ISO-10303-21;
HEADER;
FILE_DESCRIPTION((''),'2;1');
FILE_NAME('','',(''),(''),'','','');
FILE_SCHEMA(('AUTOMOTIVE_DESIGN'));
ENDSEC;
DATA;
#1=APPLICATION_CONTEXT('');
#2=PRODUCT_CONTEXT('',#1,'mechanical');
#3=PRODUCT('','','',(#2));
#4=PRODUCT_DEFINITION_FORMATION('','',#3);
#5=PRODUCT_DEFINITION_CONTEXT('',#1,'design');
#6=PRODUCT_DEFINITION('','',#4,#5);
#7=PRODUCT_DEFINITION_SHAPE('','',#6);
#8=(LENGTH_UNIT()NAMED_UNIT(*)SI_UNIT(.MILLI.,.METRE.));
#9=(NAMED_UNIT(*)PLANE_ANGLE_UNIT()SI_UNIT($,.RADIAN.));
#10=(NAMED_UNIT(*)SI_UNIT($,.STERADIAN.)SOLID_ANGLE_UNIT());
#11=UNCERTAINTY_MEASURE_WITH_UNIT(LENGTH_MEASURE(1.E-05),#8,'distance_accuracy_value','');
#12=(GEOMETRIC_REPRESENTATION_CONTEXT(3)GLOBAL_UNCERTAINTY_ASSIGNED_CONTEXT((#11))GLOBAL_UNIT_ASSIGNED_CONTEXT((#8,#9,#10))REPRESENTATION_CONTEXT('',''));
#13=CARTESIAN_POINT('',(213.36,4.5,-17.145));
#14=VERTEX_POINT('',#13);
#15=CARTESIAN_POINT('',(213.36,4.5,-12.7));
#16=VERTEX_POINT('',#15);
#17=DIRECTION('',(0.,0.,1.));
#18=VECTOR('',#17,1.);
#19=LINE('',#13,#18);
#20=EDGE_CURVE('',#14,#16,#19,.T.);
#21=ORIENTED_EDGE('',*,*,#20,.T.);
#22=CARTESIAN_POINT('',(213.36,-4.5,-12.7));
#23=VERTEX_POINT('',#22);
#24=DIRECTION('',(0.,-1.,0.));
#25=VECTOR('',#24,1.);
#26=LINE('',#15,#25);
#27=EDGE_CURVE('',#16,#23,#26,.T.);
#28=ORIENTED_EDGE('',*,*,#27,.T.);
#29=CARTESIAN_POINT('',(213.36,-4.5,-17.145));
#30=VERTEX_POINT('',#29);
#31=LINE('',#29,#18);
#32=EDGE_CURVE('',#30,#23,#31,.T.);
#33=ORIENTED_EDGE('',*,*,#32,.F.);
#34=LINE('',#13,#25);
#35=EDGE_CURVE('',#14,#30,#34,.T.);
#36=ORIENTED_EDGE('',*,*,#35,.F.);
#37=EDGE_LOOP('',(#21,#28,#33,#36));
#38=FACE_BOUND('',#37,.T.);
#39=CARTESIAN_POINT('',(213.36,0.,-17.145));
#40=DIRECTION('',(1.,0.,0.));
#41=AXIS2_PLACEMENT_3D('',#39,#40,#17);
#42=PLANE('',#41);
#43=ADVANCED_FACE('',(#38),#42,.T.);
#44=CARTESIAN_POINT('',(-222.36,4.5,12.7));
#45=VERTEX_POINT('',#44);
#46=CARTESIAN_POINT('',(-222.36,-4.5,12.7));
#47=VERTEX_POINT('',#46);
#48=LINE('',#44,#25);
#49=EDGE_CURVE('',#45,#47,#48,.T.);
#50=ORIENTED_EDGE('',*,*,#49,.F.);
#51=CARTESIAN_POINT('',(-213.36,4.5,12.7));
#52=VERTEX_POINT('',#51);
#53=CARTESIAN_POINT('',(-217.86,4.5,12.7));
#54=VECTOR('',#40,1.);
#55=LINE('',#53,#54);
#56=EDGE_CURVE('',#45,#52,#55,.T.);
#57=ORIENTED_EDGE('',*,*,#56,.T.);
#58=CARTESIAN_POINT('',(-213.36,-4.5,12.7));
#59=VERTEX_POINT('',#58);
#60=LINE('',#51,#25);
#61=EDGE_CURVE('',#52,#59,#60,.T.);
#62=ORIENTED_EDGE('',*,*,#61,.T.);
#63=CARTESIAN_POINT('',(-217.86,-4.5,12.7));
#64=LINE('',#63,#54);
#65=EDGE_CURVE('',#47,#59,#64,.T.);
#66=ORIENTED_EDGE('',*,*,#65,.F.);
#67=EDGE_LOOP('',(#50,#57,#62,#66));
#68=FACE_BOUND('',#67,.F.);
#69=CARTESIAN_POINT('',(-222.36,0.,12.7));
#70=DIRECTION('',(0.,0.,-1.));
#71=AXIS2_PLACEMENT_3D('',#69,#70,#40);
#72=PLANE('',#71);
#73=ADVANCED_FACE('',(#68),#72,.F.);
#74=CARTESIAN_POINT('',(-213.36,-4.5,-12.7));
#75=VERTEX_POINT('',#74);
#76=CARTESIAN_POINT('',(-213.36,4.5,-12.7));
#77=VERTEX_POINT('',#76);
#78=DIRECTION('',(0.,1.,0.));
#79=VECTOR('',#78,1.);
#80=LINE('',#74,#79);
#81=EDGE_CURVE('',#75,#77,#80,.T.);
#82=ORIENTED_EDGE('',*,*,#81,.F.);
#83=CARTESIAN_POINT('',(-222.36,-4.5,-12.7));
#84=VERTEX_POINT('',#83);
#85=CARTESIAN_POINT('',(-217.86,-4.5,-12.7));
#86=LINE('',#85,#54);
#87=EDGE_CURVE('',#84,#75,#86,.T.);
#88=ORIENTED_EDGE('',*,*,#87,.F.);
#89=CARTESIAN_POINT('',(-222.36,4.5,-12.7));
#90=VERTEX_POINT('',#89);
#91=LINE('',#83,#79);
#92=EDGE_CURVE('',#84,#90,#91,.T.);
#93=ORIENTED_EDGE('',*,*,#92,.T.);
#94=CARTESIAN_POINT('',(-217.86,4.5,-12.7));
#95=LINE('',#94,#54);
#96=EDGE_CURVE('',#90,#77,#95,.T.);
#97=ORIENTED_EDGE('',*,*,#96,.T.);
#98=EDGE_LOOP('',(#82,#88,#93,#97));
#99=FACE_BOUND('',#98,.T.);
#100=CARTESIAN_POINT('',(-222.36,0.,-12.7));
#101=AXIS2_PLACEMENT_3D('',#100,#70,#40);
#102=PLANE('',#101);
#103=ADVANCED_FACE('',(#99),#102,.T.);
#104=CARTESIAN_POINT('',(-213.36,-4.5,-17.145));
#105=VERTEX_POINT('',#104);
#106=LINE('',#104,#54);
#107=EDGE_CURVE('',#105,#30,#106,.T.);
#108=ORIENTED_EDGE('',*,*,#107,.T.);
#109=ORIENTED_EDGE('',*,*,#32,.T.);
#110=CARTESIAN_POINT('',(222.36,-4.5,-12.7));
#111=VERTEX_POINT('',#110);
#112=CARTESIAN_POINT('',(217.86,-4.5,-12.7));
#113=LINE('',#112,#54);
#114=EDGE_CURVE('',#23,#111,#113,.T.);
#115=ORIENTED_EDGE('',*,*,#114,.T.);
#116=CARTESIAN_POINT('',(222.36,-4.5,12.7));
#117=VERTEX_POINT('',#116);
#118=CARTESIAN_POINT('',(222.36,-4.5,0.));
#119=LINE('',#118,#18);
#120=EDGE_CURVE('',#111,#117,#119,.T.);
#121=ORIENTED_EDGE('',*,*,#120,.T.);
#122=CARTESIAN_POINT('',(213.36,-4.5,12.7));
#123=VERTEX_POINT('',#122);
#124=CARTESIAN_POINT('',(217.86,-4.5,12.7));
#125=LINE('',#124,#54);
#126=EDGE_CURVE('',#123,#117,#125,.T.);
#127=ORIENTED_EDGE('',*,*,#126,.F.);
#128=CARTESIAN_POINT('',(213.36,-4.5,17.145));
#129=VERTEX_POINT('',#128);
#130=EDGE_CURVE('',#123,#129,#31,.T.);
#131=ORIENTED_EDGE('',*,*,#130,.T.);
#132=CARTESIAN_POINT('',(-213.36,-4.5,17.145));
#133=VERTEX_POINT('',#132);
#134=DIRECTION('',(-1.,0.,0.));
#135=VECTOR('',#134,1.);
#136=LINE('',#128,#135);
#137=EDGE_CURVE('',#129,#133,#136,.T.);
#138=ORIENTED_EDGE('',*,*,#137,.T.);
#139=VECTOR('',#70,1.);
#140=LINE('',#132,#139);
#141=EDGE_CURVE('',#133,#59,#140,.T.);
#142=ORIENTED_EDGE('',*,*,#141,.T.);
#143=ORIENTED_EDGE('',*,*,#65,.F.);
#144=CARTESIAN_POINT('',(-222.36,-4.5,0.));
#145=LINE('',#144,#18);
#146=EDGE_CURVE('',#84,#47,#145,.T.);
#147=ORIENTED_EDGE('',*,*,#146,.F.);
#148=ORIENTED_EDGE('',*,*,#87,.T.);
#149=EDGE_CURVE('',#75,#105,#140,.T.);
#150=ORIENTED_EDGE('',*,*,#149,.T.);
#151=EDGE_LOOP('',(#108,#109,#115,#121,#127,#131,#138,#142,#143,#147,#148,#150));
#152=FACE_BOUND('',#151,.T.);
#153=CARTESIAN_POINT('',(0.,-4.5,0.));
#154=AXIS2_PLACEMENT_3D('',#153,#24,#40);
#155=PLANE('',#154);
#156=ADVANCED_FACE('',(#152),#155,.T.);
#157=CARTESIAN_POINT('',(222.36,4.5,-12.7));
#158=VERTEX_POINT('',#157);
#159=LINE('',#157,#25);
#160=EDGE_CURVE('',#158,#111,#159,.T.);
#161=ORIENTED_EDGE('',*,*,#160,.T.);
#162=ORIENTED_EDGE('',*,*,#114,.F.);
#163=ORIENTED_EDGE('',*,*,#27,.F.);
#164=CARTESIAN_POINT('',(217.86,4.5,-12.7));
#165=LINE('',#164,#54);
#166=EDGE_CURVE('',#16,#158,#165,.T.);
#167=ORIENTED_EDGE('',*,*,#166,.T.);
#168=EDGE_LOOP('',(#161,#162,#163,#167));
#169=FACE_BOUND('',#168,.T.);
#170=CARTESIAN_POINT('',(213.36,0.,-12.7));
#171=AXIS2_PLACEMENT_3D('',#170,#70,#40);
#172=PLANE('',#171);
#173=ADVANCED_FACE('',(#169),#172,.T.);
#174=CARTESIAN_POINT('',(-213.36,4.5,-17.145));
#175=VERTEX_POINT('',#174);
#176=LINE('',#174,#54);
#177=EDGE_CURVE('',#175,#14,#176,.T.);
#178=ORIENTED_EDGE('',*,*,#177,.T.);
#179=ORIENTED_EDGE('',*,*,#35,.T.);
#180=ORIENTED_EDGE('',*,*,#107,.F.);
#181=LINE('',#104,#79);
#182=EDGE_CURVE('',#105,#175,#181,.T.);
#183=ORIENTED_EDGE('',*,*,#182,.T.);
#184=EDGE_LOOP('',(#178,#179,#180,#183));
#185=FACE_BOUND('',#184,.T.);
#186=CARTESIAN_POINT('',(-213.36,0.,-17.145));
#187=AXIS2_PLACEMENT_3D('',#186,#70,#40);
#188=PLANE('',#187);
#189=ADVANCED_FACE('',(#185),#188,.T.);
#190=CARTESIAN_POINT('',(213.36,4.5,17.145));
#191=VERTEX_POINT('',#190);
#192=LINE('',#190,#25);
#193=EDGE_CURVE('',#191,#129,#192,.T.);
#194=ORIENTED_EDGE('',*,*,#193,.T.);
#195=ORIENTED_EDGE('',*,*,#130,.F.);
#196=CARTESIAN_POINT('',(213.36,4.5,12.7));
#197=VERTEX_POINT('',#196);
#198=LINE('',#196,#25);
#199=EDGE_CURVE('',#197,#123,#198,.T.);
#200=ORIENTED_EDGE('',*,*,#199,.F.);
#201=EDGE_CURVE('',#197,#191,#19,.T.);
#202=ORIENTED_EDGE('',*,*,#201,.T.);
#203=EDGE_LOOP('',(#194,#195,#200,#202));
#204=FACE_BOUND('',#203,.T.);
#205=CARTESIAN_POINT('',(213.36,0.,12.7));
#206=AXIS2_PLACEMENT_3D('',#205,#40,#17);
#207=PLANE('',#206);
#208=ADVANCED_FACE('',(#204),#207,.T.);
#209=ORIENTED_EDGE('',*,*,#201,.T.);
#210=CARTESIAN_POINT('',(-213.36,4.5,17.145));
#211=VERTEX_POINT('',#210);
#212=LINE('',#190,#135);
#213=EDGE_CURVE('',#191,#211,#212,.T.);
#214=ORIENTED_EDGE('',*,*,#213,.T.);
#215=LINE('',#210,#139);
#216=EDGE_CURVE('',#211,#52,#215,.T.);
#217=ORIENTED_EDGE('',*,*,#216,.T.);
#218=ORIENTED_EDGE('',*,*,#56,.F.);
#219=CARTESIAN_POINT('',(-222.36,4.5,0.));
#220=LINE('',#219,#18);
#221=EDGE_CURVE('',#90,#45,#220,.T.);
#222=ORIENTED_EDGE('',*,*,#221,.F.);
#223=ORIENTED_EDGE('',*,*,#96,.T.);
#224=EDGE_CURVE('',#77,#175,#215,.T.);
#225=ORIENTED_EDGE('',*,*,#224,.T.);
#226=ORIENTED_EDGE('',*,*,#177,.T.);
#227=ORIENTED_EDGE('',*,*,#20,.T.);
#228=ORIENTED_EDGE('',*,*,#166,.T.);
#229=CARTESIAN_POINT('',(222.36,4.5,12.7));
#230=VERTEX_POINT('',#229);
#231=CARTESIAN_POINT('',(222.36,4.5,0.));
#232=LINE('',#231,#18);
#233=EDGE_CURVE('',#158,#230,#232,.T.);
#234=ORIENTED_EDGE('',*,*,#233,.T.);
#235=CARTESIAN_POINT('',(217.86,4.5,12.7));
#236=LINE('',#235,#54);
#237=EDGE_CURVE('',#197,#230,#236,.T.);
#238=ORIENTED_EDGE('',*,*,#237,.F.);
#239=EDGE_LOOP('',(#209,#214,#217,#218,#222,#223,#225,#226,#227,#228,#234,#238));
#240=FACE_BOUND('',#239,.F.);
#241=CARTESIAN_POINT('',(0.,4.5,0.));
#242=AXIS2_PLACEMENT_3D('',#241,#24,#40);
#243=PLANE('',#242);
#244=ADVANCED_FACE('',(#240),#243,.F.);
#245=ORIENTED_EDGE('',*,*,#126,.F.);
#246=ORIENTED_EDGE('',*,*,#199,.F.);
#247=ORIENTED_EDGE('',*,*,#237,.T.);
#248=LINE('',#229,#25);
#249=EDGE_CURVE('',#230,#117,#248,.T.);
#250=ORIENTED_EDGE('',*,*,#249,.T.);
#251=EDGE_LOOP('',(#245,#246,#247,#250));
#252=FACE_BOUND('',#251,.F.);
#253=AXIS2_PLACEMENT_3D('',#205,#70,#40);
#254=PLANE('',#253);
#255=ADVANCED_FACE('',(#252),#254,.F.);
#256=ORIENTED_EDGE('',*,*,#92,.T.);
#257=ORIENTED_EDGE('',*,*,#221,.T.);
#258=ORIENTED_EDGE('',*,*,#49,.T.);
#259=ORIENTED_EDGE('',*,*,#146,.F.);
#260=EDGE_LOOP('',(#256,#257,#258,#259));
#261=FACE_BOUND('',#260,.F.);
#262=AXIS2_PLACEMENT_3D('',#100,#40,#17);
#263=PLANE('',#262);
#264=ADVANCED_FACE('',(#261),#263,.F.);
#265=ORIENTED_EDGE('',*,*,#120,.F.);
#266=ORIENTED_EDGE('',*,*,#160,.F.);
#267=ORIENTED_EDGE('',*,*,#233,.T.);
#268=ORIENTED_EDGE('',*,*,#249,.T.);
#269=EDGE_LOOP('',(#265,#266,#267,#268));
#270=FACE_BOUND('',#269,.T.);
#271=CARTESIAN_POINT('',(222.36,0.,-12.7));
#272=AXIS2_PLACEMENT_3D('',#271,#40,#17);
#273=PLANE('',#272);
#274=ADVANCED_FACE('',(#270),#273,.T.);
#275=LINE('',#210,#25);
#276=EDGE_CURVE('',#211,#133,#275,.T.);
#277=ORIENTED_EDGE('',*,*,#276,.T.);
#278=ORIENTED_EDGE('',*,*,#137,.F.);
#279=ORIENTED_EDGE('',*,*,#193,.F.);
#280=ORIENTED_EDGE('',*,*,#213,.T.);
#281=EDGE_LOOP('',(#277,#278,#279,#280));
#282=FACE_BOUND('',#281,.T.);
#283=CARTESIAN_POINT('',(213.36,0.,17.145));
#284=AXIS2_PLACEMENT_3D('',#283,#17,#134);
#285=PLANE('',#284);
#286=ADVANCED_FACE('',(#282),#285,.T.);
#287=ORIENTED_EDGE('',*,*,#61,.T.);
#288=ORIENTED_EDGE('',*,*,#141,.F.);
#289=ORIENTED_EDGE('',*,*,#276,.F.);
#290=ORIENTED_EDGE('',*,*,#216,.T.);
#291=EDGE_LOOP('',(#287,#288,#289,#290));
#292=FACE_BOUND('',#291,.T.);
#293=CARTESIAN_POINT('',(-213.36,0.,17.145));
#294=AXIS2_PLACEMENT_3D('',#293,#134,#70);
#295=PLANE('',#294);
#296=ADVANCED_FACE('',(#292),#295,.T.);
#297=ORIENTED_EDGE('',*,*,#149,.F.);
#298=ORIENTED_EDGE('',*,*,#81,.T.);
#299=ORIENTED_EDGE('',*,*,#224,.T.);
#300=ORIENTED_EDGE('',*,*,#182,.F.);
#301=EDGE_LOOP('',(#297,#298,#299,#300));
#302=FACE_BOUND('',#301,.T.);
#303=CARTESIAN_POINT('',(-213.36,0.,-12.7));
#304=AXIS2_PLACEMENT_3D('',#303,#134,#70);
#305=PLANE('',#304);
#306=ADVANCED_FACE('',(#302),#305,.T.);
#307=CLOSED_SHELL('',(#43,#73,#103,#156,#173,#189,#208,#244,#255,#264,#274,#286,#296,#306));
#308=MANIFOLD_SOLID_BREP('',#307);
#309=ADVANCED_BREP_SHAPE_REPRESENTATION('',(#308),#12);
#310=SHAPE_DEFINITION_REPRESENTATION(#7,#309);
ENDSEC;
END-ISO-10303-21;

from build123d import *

# Parameters (mm, degrees)
F0_W     = 9
F0_H     = 25.4
F1_DEPTH = 4.5


with BuildPart() as f1:
    # F0 (on Front) → F1 (new body, symmetric)
    with BuildSketch(Plane.XZ):
        Polygon((-213.36, -17.145), (213.36, -17.145), (213.36, -12.7), (213.36, 12.7), (213.36, 17.145), (-213.36, 17.145), (-213.36, 12.7), (-213.36, -12.7), align=None)
        with Locations((-217.86, 0)):
            Rectangle(F0_W, F0_H)
        with Locations((217.86, 0)):
            Rectangle(F0_W, F0_H)
    extrude(amount=F1_DEPTH, both=True)


solid = f1.part
